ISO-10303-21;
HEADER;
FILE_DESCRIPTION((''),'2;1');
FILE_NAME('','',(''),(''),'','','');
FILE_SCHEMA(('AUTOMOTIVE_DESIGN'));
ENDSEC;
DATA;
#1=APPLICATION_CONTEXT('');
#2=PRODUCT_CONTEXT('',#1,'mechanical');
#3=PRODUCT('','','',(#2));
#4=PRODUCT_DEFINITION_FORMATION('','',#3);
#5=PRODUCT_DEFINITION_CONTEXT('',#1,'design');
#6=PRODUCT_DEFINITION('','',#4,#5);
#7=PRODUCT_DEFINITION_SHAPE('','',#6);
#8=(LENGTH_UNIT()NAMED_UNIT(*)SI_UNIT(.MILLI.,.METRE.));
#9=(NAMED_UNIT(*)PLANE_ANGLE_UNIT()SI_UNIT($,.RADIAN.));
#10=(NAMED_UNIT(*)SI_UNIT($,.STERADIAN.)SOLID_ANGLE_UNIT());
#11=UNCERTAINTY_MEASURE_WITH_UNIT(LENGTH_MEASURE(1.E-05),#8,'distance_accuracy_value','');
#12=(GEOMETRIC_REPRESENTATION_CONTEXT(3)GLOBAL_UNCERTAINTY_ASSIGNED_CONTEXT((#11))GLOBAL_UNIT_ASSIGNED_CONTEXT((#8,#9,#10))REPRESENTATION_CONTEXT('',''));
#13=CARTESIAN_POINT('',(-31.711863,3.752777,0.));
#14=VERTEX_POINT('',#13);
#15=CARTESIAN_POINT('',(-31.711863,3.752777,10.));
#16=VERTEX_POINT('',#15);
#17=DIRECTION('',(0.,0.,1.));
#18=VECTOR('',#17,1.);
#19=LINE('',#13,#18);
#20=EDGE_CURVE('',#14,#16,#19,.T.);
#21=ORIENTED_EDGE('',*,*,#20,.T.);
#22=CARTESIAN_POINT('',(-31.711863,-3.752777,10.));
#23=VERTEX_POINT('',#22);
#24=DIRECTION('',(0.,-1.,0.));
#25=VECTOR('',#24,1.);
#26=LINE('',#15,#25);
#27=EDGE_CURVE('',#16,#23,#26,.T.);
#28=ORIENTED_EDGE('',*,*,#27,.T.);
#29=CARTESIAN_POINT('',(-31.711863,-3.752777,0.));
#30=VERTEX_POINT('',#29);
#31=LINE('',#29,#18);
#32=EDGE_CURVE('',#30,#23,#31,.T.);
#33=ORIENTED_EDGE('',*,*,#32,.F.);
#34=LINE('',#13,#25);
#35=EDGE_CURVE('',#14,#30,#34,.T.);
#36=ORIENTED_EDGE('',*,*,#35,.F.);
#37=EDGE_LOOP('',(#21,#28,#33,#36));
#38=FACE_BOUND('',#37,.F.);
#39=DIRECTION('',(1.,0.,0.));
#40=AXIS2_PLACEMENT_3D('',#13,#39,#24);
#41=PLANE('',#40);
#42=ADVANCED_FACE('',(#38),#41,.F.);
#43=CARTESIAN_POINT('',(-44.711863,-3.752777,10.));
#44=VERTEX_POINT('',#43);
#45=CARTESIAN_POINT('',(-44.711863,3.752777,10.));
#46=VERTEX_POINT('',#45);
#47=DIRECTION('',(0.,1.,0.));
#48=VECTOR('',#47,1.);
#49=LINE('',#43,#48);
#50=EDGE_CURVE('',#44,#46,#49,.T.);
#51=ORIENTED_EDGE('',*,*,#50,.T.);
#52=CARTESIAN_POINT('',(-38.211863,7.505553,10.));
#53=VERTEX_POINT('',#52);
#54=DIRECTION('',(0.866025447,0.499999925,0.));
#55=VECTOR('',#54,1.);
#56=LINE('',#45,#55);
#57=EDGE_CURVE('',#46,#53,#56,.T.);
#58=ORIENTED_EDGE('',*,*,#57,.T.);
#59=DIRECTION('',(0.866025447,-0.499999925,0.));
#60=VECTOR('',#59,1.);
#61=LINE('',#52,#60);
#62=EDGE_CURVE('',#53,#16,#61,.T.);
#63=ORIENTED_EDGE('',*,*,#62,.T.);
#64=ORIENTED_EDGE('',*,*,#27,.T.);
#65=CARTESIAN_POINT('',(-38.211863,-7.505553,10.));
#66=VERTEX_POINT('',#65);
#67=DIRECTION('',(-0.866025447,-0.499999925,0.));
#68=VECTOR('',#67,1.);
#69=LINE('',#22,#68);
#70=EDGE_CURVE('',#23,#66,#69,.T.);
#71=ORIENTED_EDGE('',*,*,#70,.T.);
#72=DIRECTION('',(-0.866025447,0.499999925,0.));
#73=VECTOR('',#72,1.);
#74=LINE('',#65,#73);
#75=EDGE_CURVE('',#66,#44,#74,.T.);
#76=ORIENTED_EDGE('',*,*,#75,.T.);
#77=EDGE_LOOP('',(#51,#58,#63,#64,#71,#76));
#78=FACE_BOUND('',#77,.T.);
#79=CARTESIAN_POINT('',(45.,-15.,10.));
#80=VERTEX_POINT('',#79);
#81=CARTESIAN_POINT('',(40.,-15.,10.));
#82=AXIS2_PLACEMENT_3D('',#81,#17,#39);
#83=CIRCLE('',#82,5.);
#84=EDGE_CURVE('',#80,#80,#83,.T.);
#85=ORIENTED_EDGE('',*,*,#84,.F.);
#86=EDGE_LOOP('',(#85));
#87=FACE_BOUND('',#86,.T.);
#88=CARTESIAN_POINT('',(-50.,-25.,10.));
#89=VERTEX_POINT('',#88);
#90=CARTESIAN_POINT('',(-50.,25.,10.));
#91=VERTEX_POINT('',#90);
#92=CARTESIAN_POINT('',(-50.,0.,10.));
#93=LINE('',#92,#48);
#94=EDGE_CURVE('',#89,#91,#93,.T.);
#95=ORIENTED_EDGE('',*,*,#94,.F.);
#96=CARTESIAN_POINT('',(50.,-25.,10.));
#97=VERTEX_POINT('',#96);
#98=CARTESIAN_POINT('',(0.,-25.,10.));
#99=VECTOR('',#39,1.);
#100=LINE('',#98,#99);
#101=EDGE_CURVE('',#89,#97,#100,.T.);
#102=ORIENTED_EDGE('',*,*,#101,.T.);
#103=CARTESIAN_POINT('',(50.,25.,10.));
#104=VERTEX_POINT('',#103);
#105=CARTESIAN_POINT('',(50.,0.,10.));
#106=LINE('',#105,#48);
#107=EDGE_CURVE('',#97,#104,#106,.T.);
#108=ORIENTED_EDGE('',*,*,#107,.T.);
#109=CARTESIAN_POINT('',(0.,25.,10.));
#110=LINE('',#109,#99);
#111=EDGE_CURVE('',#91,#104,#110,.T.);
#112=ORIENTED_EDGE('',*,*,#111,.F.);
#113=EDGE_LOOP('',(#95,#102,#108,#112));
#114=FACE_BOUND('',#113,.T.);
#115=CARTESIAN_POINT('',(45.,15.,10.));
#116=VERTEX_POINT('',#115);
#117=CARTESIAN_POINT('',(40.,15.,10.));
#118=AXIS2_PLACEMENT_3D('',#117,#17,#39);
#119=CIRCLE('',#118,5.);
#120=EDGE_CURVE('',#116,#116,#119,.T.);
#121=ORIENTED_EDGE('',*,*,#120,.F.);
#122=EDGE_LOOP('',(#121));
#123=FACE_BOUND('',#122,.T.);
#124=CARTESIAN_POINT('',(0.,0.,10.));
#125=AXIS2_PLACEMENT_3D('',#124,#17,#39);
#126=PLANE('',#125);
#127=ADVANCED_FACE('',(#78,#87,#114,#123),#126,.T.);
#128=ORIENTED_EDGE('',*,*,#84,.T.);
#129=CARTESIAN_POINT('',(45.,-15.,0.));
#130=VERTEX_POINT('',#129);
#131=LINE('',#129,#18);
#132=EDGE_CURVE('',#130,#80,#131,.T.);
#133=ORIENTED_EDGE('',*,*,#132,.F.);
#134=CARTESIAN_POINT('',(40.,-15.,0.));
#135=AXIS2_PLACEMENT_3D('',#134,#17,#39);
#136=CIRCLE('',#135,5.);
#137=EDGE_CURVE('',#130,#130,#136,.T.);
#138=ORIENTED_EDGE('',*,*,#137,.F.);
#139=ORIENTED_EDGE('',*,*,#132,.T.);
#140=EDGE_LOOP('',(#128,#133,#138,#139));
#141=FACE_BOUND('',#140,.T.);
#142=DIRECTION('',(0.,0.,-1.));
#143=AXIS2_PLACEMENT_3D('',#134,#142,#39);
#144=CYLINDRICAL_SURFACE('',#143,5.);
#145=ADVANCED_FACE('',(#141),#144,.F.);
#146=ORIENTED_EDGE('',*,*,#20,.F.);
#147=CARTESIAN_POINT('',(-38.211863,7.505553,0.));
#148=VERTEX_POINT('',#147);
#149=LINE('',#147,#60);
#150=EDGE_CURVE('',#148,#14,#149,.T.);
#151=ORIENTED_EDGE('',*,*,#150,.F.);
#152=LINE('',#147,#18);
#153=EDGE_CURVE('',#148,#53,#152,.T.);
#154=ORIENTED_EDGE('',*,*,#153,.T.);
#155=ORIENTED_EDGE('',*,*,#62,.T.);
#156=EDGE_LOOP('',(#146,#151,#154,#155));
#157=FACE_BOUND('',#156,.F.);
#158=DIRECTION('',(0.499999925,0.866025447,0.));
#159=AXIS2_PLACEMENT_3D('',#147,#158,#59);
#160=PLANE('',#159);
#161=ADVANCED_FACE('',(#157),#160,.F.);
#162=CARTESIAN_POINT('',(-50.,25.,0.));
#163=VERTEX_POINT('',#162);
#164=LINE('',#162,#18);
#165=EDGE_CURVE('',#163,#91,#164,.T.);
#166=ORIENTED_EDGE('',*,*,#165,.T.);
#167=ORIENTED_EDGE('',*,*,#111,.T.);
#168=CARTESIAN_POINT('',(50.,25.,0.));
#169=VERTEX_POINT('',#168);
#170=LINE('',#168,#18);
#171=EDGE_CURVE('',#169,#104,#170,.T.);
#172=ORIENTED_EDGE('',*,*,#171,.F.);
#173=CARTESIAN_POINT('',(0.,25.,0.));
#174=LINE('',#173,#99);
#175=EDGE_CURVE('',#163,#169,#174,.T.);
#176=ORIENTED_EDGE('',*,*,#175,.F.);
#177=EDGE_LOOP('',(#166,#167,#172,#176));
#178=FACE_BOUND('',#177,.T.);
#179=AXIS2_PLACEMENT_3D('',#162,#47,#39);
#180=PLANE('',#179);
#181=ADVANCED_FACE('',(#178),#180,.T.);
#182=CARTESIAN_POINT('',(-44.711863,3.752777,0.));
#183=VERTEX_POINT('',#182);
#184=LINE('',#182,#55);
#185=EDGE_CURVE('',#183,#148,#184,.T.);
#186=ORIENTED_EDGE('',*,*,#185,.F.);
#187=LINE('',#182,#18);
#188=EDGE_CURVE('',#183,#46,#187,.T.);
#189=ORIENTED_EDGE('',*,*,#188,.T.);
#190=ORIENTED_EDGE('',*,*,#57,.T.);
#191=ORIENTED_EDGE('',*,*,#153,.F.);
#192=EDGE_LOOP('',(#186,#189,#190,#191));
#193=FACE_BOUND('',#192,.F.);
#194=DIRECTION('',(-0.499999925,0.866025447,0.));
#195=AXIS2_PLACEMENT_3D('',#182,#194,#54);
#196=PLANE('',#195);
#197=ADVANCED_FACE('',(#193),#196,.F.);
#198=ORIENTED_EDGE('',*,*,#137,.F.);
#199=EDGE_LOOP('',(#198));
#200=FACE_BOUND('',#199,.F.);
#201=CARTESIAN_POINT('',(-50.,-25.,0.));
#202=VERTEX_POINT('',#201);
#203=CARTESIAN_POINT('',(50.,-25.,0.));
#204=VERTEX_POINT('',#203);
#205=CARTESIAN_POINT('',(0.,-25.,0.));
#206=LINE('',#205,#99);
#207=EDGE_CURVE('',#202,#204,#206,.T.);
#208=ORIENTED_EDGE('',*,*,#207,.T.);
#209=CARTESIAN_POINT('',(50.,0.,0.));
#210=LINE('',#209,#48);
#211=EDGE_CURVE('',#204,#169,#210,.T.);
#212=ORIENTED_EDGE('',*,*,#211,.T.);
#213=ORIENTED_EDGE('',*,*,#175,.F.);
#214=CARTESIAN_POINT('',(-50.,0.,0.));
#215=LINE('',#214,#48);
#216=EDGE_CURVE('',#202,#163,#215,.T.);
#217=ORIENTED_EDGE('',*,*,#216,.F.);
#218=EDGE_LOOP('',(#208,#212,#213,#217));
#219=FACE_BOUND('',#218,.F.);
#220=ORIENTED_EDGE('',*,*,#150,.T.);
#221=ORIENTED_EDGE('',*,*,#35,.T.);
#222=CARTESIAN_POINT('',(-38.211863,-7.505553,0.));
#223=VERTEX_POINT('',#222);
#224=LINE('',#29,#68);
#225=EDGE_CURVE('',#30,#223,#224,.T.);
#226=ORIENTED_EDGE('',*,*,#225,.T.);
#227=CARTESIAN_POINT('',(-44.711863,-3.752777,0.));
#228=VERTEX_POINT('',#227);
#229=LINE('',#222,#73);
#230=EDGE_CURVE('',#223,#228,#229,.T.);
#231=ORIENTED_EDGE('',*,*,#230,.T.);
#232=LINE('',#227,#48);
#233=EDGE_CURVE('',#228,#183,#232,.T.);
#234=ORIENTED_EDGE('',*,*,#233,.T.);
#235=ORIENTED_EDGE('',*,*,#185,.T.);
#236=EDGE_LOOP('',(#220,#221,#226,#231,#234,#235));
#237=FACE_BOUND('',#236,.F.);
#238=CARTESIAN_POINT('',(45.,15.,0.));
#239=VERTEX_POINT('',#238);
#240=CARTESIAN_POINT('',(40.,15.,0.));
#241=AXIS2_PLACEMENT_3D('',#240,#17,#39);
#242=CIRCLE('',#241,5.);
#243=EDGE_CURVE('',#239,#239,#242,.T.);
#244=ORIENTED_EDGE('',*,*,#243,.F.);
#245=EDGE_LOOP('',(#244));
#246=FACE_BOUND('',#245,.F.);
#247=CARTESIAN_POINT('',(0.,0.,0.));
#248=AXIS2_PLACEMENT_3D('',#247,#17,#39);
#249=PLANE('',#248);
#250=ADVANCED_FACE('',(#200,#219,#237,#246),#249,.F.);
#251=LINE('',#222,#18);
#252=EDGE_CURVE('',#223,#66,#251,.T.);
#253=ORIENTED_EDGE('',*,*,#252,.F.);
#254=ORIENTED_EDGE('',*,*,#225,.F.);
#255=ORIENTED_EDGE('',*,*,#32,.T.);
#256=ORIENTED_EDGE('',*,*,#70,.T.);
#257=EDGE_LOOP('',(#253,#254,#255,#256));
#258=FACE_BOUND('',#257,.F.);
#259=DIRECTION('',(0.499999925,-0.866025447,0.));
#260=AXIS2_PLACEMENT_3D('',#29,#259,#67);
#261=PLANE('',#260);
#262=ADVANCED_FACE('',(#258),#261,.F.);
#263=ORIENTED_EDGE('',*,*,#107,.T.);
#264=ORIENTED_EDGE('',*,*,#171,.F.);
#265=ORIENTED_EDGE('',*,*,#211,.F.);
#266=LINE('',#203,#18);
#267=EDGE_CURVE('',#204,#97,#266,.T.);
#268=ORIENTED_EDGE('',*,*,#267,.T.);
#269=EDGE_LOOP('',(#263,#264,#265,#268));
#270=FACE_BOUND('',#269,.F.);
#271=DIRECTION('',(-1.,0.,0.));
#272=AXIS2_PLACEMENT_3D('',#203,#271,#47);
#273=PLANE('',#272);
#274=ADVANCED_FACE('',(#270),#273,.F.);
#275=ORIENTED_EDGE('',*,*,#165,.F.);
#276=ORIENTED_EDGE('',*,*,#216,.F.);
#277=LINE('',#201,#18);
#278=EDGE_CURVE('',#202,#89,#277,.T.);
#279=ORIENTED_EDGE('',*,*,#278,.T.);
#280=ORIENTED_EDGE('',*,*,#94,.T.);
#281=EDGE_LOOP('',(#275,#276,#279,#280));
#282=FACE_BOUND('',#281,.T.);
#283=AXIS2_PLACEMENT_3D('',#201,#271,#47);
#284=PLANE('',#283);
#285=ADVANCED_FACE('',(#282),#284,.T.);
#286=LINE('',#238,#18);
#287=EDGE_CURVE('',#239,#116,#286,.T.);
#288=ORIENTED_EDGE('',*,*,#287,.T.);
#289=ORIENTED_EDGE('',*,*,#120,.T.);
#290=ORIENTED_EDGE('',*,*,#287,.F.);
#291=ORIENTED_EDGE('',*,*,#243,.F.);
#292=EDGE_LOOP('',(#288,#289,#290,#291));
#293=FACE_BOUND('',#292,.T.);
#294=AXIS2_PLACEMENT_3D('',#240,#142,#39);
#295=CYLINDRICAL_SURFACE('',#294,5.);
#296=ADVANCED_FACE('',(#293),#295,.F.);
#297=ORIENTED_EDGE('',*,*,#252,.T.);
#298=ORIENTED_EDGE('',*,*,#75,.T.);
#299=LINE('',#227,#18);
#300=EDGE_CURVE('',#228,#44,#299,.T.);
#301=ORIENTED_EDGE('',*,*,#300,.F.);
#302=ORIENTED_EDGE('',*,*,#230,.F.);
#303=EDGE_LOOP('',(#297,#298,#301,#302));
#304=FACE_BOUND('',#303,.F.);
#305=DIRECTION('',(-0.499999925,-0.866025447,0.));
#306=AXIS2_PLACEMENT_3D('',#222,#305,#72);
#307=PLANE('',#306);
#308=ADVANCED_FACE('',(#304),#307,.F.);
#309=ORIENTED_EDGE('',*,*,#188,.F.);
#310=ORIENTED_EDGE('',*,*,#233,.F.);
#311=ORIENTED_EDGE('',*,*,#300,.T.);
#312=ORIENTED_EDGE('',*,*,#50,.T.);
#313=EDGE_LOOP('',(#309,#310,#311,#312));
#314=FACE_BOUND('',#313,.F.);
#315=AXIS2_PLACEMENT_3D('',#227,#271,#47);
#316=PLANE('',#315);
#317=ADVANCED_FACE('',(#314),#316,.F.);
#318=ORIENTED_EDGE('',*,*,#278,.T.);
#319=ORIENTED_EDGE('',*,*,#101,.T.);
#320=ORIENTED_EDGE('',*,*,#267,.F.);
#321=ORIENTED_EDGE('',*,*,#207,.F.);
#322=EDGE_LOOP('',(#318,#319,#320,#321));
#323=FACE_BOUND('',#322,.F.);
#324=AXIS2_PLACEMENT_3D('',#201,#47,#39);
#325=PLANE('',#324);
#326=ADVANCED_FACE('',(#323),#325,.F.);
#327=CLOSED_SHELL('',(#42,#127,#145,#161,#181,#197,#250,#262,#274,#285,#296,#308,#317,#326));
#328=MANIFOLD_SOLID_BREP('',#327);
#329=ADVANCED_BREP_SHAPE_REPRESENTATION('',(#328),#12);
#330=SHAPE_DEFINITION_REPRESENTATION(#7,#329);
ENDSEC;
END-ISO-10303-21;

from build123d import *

# Parameters (mm, degrees)
F0_W     = 100
F0_H     = 50
F0_R     = 5
F1_DEPTH = 10


with BuildPart() as f1:
    # F0 (on Top) → F1 (new body)
    with BuildSketch(Plane.XY):
        Rectangle(F0_W, F0_H)
        with Locations((40, -15)):
            Circle(F0_R, mode=Mode.SUBTRACT)
        Polygon((-31.711863, 3.752777), (-31.711863, -3.752777), (-38.211863, -7.505553), (-44.711863, -3.752777), (-44.711863, 3.752777), (-38.211863, 7.505553), align=None, mode=Mode.SUBTRACT)
        with Locations((40, 15)):
            Circle(F0_R, mode=Mode.SUBTRACT)
    extrude(amount=F1_DEPTH)


solid = f1.part
